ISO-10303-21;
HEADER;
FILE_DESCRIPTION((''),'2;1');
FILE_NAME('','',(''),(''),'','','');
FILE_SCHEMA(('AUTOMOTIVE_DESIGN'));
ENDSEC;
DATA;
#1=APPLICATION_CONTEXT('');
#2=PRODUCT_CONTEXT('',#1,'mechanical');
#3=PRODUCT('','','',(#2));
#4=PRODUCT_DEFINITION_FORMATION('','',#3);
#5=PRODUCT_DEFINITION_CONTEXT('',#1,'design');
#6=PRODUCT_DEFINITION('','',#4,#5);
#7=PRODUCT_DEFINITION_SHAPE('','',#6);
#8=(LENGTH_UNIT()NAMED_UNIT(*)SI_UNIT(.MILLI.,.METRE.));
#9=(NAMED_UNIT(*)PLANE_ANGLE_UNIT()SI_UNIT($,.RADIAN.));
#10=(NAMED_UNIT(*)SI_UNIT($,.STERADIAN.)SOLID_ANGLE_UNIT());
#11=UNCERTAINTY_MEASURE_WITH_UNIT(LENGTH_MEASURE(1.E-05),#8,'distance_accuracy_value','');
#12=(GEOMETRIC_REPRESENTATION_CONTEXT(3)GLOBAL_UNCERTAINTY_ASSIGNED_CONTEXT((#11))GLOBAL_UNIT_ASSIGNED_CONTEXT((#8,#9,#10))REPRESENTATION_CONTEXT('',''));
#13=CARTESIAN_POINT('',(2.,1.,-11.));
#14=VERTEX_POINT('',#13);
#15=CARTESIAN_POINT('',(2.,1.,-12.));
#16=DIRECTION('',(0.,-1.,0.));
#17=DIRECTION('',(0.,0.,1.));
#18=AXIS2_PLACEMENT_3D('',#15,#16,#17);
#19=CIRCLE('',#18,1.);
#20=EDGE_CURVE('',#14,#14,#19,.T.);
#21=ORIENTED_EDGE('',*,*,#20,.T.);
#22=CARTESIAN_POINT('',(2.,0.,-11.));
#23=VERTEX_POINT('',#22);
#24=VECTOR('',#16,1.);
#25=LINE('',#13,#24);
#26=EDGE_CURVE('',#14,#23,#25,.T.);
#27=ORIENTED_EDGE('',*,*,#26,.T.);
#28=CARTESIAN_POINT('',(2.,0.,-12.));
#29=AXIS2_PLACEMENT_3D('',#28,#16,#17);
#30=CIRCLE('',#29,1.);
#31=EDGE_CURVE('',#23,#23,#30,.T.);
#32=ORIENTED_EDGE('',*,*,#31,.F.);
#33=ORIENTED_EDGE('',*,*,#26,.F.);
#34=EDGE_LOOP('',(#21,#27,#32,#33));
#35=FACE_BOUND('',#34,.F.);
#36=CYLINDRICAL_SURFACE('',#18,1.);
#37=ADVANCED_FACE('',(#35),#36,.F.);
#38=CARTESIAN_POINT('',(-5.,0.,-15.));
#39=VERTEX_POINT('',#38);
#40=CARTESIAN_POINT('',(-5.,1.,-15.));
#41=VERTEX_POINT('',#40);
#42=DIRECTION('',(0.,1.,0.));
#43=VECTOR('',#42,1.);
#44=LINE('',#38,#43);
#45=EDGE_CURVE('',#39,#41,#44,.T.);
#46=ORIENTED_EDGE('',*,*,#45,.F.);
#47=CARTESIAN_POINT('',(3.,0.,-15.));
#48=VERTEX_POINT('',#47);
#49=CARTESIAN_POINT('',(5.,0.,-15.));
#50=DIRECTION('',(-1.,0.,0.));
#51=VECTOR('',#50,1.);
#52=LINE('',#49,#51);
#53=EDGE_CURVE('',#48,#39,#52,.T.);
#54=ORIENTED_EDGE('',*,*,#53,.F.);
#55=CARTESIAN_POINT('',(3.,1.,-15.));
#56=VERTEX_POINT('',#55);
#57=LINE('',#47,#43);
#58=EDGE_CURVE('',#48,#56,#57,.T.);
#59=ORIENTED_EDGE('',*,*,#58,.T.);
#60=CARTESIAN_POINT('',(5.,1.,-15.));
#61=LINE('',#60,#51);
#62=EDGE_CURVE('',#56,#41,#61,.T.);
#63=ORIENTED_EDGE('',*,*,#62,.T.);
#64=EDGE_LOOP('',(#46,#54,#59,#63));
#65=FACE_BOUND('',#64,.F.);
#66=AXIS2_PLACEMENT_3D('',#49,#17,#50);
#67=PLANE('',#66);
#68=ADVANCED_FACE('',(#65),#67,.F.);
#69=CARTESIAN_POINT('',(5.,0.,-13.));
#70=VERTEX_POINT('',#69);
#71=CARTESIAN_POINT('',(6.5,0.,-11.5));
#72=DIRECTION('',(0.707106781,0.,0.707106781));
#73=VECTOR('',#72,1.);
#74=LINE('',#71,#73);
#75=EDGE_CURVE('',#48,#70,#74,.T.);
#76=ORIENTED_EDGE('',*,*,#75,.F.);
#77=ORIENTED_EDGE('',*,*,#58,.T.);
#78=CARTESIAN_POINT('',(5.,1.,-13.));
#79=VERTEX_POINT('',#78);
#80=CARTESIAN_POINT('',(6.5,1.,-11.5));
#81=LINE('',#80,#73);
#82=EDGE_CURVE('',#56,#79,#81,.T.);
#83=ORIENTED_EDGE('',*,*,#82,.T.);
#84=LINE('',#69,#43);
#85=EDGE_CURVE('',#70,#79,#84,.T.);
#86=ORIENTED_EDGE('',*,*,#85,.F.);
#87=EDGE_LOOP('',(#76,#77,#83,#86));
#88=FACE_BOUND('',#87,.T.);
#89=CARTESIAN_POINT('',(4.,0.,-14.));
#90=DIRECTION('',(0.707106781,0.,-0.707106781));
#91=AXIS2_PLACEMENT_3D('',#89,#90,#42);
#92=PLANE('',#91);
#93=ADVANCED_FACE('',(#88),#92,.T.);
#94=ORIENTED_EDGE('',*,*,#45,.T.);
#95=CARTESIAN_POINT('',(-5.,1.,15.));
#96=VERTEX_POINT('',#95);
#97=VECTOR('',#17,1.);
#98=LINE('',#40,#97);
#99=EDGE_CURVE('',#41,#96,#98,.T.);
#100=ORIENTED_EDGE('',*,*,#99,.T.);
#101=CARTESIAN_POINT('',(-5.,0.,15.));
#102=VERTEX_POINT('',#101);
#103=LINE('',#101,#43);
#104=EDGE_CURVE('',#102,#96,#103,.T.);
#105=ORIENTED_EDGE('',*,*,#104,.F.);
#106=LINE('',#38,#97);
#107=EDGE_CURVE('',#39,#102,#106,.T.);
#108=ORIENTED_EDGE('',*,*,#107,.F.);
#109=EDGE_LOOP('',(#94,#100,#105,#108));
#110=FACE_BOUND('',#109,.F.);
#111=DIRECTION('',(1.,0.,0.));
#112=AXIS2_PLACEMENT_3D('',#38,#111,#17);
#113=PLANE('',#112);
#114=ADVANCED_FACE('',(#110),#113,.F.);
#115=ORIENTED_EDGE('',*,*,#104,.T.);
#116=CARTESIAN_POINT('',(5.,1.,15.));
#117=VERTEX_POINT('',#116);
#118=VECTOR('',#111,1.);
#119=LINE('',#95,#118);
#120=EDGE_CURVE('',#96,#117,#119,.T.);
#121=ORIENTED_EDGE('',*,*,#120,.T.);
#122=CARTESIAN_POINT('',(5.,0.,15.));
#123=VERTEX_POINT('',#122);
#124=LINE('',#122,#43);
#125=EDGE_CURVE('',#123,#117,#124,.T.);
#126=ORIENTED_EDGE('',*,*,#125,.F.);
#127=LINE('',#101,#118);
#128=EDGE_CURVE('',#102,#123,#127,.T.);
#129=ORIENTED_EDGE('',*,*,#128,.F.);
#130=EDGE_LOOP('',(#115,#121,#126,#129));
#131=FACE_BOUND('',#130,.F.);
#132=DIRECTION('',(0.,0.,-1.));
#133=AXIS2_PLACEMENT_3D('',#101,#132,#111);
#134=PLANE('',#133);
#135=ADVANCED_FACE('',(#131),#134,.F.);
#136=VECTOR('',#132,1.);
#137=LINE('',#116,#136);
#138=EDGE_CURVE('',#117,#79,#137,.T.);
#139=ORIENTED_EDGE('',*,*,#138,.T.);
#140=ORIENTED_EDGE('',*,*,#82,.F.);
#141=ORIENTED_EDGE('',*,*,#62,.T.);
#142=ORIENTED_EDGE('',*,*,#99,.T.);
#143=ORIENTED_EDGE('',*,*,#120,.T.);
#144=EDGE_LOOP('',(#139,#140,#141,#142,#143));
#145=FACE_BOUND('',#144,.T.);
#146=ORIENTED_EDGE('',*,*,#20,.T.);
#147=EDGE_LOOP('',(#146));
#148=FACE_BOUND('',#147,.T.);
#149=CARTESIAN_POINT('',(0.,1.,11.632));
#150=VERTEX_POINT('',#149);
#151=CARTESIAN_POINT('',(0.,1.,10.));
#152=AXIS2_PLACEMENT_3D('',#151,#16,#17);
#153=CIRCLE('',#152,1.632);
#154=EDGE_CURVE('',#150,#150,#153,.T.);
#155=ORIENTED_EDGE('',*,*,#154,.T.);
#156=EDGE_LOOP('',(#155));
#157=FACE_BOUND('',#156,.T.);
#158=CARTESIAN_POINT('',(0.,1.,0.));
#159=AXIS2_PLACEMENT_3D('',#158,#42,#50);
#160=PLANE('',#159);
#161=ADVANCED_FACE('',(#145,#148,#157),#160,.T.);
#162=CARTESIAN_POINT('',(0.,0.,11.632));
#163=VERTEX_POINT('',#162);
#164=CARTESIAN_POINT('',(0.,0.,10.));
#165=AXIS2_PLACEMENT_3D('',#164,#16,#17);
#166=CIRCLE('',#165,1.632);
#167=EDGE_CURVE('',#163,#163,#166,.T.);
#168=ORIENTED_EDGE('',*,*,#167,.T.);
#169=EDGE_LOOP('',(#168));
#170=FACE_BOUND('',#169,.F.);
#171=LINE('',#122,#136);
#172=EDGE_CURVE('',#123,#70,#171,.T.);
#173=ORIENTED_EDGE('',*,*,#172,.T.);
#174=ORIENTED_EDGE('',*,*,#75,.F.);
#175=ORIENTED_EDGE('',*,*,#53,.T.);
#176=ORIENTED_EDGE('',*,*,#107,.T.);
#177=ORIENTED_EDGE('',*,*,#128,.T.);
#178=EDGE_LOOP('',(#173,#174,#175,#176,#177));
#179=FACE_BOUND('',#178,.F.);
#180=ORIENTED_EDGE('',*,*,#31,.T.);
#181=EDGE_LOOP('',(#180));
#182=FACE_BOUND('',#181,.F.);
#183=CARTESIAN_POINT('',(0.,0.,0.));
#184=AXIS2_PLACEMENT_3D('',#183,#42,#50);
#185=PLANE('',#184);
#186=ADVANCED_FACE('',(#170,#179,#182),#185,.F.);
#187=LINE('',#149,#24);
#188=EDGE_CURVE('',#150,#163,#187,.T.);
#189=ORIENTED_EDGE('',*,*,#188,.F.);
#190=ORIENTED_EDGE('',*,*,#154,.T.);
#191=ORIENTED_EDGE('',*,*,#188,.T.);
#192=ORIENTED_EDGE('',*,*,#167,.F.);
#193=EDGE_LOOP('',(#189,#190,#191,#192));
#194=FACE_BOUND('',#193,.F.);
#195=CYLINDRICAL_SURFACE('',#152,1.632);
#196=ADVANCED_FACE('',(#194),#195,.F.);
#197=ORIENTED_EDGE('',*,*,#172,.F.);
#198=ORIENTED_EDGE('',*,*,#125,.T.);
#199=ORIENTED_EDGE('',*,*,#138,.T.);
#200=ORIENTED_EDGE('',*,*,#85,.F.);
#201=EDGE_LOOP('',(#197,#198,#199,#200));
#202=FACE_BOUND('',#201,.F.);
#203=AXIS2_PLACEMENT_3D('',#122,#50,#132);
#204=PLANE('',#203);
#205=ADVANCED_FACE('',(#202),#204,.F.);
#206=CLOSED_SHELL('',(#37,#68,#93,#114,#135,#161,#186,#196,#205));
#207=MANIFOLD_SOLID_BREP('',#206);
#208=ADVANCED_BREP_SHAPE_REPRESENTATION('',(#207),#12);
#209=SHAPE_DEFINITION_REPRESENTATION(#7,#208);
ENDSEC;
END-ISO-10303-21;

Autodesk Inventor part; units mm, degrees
ref_plane "YZ Plane" through (0, 0, 0) normal (1, 0, 0) x (0, 1, 0)
ref_plane "XZ Plane" through (0, 0, 0) normal (0, 1, 0) x (-1, 0, 0)
ref_plane "XY Plane" through (0, 0, 0) normal (0, 0, 1) x (1, 0, 0)
sketch "Sketch1" plane through (0, 0, 0) normal (0, 1, 0) x (-1, 0, 0)
  line L0 (5, 15) -> (-5, 15)
  line L1 (-5, 15) -> (-5, -15)
  line L2 (-5, -15) -> (5, -15)
  line L3 (5, -15) -> (5, 15)
  point P0 (0, 0)
  point P1 (5, 0)
  point P2 (0, -15)
  dimension "d0" = 30
  dimension "d1" = 10
extrude "Extrusion1" add sketch "Sketch1" along normal blind 1
sketch "Sketch2" plane through (0, 1, 0) normal (0, 1, 0) x (1, 0, 0)
  line L0 (-5, -15) -> (5, -15) projected
  point P0 (0, 0)
  point P1 (0, -10)
  dimension "d4" = 5
hole "Hole1" at (0, 1, 10) direction (0, -1, 0) diameter 3.264 depth 4 clearance for "Flat Head Machine Screw (82)" size "#4" standard "Ansi Unified Screw Threads"
chamfer "Chamfer1" distance 2 angle 45 1 edges at (5, 0.5, -15)
sketch "Sketch3" plane through (0, 1, 0) normal (0, 1, 0) x (1, 0, 0)
  line L0 (5, -15) -> (5, 13) projected
  line L1 (3, 15) -> (-5, 15) projected
  point P0 (0, 0)
  point P1 (2, 12)
  dimension "d15" = 3
  dimension "d16" = 3
hole "Hole2" at (2, 1, -12) direction (0, -1, 0) diameter 2 end through all
properties part number "spring cover" material "Aluminum 6061"
